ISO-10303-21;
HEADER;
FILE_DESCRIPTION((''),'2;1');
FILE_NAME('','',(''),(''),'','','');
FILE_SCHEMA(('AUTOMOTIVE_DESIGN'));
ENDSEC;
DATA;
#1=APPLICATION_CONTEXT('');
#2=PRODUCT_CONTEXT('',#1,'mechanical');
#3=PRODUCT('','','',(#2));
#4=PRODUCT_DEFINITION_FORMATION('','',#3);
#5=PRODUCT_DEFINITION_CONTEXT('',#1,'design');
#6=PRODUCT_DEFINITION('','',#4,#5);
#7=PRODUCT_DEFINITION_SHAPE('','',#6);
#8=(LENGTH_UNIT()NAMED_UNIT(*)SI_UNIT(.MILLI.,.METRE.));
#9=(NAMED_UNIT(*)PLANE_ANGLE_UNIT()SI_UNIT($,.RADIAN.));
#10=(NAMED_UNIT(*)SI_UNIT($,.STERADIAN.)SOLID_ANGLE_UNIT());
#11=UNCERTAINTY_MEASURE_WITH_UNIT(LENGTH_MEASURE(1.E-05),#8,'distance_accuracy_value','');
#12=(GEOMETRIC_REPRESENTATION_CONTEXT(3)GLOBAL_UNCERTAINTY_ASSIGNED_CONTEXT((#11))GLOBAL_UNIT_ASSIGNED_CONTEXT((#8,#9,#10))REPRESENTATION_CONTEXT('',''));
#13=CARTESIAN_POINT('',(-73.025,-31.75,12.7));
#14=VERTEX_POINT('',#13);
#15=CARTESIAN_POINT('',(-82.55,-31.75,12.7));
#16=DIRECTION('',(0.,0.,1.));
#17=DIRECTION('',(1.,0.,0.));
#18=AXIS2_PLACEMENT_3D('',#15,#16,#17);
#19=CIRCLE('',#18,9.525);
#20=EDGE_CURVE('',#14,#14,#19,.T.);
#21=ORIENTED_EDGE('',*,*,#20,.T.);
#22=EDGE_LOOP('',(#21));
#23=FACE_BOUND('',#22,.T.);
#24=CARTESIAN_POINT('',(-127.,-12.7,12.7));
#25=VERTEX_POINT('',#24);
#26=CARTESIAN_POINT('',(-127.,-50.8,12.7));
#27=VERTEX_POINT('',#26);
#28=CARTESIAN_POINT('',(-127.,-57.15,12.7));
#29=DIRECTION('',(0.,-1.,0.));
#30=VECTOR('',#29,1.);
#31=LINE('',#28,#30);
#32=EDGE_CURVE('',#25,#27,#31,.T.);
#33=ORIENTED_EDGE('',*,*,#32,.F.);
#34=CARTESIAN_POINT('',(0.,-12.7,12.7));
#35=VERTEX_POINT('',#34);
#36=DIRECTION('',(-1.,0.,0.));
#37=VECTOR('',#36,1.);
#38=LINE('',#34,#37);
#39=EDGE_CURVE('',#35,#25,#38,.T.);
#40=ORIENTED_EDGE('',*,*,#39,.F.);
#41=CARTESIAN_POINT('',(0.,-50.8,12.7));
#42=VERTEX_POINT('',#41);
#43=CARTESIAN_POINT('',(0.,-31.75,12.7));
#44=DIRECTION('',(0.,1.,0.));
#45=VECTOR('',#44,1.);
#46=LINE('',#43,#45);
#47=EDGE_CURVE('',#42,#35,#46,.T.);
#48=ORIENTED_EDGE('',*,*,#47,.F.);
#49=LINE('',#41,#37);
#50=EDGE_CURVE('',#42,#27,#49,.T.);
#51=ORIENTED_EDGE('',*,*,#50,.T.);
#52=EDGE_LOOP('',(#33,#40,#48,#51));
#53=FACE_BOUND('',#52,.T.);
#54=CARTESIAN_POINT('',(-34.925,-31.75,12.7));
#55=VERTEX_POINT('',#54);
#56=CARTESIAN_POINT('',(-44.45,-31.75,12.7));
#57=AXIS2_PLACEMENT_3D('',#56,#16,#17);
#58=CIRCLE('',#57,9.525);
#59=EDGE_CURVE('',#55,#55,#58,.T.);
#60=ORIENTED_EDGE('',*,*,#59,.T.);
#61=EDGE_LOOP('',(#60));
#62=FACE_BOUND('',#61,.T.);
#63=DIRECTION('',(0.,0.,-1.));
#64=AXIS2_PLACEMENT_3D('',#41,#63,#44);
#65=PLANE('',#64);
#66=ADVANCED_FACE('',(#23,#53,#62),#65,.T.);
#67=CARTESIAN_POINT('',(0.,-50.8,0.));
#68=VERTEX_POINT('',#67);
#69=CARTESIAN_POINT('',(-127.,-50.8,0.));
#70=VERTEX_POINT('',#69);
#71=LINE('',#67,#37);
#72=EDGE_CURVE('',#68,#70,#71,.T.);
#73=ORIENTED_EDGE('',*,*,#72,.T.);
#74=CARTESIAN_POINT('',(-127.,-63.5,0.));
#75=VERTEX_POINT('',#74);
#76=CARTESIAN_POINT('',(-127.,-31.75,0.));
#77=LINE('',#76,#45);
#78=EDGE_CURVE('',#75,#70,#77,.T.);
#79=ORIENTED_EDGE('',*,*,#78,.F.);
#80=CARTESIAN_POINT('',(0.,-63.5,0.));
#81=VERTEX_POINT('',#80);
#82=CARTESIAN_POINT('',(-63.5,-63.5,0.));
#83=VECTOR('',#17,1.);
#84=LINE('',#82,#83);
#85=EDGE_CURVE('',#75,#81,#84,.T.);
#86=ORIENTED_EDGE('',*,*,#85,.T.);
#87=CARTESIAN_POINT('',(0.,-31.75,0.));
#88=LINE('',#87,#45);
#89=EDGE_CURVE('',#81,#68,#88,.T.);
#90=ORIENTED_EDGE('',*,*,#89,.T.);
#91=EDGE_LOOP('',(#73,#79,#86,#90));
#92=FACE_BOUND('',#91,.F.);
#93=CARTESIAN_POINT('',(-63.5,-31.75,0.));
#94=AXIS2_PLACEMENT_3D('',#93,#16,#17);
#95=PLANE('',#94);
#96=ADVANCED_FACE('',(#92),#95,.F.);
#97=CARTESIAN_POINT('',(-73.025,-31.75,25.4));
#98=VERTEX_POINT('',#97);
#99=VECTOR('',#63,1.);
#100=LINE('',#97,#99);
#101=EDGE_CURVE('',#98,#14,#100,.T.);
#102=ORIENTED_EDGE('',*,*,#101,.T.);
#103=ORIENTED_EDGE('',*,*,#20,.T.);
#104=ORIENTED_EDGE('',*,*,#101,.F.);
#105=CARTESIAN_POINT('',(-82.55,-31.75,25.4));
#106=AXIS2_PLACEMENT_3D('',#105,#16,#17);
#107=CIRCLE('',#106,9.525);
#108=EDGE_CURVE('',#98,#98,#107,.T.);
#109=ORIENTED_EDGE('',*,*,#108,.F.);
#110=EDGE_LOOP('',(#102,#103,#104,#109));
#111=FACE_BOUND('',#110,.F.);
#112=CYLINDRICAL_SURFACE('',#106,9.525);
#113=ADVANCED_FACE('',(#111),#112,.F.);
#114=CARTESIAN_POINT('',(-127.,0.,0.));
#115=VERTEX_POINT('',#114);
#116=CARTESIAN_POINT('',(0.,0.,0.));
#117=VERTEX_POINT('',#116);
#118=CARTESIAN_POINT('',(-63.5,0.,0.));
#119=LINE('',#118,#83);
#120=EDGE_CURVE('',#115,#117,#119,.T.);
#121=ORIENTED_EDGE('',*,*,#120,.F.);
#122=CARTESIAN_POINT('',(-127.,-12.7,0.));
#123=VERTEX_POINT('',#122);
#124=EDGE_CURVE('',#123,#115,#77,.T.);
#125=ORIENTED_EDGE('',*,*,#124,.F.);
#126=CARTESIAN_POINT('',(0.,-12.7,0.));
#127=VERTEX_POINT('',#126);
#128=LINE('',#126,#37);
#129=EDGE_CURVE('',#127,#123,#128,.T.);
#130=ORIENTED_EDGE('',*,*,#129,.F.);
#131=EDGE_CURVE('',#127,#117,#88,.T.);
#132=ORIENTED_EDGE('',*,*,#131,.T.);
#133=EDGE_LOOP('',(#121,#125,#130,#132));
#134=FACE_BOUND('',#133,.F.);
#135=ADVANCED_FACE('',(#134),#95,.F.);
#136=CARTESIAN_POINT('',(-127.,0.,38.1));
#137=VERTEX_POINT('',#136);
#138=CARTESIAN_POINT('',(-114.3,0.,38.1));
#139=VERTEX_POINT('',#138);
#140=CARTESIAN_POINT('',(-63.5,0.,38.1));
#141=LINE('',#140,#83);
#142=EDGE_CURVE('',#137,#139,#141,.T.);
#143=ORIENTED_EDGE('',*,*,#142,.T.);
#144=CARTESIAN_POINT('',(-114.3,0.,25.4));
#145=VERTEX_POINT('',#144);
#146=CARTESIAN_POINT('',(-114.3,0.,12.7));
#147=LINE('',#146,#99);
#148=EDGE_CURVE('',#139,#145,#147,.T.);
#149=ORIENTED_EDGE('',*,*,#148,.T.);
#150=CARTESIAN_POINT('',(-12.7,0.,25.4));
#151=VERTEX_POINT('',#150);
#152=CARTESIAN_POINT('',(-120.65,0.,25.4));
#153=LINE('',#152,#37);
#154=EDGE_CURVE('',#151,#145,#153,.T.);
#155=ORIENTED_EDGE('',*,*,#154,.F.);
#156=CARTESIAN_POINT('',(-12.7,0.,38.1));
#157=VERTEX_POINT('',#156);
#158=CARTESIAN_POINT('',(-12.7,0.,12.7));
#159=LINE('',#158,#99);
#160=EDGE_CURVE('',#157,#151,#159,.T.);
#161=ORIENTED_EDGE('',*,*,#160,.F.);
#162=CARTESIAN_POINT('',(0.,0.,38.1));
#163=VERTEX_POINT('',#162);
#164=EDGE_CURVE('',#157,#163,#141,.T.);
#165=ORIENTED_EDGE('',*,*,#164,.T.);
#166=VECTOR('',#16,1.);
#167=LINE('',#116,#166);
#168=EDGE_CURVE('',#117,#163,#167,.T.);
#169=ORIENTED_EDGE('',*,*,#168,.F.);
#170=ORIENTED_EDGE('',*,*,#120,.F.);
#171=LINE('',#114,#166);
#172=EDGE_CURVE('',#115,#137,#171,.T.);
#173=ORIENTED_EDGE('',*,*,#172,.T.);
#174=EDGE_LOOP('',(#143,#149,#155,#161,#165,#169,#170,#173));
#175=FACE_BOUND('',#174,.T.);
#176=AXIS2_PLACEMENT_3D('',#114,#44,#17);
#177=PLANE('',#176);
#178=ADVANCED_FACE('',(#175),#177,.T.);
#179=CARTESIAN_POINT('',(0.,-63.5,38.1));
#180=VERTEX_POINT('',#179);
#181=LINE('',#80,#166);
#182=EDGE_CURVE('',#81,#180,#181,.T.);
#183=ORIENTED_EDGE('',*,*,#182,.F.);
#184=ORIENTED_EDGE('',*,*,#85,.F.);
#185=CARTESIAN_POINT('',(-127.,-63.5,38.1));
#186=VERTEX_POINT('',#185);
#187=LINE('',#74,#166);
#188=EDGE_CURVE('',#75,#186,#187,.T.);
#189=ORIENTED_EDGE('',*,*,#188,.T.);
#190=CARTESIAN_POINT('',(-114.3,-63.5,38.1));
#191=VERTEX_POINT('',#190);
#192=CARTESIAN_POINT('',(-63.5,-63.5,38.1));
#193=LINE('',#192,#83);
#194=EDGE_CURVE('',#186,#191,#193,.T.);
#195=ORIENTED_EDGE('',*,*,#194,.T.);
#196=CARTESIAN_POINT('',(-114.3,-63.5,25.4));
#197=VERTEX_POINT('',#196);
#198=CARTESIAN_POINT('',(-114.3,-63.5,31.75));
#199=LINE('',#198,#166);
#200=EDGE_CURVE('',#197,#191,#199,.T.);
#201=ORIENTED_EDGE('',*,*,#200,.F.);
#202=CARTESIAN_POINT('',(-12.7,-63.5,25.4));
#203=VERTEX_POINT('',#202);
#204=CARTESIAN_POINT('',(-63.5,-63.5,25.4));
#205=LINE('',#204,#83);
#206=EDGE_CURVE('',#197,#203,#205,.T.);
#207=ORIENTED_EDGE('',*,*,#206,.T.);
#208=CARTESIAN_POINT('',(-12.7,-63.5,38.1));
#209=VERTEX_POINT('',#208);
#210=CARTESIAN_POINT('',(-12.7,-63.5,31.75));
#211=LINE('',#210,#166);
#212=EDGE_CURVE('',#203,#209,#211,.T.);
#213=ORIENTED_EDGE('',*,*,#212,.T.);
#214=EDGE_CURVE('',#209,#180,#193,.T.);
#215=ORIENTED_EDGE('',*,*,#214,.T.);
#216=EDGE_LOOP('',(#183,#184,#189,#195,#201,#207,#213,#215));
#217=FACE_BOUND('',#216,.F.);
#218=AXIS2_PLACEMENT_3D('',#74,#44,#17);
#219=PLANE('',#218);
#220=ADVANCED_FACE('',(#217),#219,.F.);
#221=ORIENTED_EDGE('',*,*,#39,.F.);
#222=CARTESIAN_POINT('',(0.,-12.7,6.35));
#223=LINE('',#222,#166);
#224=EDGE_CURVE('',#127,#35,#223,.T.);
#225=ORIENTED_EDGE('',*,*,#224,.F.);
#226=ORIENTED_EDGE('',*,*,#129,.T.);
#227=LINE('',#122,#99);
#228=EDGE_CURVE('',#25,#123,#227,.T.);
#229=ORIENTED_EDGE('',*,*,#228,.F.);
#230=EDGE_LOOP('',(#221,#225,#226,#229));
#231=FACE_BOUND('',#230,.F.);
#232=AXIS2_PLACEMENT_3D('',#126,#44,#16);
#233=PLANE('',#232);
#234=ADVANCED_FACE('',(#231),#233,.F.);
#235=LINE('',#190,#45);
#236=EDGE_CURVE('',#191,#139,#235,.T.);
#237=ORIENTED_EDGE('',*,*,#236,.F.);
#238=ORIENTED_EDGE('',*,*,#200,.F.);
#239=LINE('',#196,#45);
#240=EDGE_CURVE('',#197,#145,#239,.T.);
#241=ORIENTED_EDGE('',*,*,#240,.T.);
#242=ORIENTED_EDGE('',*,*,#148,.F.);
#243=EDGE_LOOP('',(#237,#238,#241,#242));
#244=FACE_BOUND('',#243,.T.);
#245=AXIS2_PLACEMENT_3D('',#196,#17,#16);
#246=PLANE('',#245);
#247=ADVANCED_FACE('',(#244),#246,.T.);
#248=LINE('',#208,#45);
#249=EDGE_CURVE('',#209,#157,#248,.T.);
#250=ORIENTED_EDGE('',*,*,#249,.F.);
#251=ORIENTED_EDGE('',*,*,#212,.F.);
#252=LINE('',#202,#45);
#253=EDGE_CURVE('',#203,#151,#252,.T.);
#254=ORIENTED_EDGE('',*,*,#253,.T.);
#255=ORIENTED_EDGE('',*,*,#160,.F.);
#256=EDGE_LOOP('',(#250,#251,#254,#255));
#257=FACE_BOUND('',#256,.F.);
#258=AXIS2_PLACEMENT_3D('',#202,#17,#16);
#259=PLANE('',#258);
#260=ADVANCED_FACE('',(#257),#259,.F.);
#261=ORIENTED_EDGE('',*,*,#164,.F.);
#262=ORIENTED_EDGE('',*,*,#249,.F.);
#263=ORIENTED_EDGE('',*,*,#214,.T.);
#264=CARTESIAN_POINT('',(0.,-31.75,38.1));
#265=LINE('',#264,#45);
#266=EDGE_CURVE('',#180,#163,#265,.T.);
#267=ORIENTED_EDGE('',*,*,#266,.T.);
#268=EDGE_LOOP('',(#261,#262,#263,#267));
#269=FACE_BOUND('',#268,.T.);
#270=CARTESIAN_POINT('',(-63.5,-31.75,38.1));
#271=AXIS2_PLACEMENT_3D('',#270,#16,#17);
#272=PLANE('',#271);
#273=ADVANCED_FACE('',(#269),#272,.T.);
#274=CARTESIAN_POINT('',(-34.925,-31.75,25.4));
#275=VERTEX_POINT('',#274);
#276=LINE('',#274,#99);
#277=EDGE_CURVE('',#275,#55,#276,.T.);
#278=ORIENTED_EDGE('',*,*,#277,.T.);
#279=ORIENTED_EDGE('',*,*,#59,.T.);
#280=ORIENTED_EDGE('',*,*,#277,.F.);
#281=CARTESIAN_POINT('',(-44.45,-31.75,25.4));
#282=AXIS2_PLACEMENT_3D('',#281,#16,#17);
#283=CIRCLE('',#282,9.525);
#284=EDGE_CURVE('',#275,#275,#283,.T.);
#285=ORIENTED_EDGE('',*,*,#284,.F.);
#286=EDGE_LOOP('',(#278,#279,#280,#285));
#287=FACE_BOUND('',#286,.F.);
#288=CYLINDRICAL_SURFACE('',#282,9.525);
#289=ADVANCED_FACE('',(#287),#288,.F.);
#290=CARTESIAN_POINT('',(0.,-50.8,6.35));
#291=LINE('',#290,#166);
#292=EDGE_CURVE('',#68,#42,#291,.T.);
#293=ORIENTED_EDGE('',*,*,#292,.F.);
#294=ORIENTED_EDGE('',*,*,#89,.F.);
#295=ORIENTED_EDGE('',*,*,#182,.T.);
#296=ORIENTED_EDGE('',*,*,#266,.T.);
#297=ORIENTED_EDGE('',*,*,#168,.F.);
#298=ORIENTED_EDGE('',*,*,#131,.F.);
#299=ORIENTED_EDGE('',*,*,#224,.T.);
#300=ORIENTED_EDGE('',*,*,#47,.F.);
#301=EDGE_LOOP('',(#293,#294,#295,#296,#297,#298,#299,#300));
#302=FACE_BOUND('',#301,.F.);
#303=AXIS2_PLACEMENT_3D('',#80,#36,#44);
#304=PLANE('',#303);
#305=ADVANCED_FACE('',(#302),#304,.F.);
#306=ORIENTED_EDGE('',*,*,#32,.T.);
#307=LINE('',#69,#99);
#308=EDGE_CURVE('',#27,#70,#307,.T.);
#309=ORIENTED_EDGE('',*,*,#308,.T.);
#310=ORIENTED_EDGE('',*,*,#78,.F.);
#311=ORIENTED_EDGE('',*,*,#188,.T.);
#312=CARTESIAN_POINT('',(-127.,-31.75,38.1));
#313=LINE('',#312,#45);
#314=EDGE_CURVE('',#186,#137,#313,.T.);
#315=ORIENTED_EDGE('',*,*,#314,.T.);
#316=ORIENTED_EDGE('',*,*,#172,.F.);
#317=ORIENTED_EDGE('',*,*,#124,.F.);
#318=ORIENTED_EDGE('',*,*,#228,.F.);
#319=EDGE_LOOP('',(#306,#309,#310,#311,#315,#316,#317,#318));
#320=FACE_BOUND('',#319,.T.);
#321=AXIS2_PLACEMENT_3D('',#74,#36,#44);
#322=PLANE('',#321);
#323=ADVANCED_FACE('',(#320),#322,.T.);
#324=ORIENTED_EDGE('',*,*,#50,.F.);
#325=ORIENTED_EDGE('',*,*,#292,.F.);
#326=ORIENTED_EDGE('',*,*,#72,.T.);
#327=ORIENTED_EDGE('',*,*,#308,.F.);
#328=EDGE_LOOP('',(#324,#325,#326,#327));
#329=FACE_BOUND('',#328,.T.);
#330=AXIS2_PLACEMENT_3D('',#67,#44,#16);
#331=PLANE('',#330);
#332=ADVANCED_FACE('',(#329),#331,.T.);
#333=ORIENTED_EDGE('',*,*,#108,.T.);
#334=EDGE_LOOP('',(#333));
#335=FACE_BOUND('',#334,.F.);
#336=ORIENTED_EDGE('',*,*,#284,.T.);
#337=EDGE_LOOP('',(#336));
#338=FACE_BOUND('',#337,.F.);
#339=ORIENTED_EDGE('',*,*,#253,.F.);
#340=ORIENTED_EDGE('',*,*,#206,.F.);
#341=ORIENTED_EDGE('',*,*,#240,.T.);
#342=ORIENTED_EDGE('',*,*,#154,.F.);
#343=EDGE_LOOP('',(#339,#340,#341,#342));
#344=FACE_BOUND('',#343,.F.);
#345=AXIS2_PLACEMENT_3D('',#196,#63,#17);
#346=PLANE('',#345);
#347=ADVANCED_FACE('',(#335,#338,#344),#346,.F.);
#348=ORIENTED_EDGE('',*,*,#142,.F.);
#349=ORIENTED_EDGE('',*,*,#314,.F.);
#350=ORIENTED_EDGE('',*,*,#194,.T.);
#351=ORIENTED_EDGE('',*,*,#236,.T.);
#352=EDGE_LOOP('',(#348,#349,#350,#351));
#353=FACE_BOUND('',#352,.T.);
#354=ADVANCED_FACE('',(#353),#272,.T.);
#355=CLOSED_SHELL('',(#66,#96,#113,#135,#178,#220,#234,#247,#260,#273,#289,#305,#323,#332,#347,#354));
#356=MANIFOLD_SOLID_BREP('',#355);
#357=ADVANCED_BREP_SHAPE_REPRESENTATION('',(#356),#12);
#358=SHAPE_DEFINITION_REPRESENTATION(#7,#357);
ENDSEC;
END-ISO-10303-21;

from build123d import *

# Parameters (mm, degrees)
F0_W     = 127
F0_H     = 63.5
F1_DEPTH = 38.1
F2_W     = 101.6
F2_H     = 12.7
F3_DEPTH = 66.04
F4_R     = 9.525
F5_DEPTH = 50.8
F6_W     = 38.1
F6_H     = 12.7
F7_DEPTH = 152.4


with BuildPart() as f1:
    # F0 (on Top) → F1 (new body)
    with BuildSketch(Plane.XY):
        with Locations((-63.5, -31.75)):
            Rectangle(F0_W, F0_H)
    extrude(amount=F1_DEPTH)

    # F2 (on face) → F3 (cut)
    with BuildSketch(Plane.XZ.offset(63.5)):
        with Locations((-63.5, 31.75)):
            Rectangle(F2_W, F2_H)
    extrude(amount=-F3_DEPTH, mode=Mode.SUBTRACT)

    # F4 (on face) → F5 (cut)
    with BuildSketch(Plane.XY.offset(25.4)):
        with Locations((-82.55, -31.75)):
            Circle(F4_R)
        with Locations((-44.45, -31.75)):
            Circle(F4_R)
    extrude(amount=-F5_DEPTH, mode=Mode.SUBTRACT)

    # F6 (on face) → F7 (cut)
    with BuildSketch(Plane.YZ):
        with Locations((-31.75, 6.35)):
            Rectangle(F6_W, F6_H)
    extrude(amount=-F7_DEPTH, mode=Mode.SUBTRACT)


solid = f1.part
